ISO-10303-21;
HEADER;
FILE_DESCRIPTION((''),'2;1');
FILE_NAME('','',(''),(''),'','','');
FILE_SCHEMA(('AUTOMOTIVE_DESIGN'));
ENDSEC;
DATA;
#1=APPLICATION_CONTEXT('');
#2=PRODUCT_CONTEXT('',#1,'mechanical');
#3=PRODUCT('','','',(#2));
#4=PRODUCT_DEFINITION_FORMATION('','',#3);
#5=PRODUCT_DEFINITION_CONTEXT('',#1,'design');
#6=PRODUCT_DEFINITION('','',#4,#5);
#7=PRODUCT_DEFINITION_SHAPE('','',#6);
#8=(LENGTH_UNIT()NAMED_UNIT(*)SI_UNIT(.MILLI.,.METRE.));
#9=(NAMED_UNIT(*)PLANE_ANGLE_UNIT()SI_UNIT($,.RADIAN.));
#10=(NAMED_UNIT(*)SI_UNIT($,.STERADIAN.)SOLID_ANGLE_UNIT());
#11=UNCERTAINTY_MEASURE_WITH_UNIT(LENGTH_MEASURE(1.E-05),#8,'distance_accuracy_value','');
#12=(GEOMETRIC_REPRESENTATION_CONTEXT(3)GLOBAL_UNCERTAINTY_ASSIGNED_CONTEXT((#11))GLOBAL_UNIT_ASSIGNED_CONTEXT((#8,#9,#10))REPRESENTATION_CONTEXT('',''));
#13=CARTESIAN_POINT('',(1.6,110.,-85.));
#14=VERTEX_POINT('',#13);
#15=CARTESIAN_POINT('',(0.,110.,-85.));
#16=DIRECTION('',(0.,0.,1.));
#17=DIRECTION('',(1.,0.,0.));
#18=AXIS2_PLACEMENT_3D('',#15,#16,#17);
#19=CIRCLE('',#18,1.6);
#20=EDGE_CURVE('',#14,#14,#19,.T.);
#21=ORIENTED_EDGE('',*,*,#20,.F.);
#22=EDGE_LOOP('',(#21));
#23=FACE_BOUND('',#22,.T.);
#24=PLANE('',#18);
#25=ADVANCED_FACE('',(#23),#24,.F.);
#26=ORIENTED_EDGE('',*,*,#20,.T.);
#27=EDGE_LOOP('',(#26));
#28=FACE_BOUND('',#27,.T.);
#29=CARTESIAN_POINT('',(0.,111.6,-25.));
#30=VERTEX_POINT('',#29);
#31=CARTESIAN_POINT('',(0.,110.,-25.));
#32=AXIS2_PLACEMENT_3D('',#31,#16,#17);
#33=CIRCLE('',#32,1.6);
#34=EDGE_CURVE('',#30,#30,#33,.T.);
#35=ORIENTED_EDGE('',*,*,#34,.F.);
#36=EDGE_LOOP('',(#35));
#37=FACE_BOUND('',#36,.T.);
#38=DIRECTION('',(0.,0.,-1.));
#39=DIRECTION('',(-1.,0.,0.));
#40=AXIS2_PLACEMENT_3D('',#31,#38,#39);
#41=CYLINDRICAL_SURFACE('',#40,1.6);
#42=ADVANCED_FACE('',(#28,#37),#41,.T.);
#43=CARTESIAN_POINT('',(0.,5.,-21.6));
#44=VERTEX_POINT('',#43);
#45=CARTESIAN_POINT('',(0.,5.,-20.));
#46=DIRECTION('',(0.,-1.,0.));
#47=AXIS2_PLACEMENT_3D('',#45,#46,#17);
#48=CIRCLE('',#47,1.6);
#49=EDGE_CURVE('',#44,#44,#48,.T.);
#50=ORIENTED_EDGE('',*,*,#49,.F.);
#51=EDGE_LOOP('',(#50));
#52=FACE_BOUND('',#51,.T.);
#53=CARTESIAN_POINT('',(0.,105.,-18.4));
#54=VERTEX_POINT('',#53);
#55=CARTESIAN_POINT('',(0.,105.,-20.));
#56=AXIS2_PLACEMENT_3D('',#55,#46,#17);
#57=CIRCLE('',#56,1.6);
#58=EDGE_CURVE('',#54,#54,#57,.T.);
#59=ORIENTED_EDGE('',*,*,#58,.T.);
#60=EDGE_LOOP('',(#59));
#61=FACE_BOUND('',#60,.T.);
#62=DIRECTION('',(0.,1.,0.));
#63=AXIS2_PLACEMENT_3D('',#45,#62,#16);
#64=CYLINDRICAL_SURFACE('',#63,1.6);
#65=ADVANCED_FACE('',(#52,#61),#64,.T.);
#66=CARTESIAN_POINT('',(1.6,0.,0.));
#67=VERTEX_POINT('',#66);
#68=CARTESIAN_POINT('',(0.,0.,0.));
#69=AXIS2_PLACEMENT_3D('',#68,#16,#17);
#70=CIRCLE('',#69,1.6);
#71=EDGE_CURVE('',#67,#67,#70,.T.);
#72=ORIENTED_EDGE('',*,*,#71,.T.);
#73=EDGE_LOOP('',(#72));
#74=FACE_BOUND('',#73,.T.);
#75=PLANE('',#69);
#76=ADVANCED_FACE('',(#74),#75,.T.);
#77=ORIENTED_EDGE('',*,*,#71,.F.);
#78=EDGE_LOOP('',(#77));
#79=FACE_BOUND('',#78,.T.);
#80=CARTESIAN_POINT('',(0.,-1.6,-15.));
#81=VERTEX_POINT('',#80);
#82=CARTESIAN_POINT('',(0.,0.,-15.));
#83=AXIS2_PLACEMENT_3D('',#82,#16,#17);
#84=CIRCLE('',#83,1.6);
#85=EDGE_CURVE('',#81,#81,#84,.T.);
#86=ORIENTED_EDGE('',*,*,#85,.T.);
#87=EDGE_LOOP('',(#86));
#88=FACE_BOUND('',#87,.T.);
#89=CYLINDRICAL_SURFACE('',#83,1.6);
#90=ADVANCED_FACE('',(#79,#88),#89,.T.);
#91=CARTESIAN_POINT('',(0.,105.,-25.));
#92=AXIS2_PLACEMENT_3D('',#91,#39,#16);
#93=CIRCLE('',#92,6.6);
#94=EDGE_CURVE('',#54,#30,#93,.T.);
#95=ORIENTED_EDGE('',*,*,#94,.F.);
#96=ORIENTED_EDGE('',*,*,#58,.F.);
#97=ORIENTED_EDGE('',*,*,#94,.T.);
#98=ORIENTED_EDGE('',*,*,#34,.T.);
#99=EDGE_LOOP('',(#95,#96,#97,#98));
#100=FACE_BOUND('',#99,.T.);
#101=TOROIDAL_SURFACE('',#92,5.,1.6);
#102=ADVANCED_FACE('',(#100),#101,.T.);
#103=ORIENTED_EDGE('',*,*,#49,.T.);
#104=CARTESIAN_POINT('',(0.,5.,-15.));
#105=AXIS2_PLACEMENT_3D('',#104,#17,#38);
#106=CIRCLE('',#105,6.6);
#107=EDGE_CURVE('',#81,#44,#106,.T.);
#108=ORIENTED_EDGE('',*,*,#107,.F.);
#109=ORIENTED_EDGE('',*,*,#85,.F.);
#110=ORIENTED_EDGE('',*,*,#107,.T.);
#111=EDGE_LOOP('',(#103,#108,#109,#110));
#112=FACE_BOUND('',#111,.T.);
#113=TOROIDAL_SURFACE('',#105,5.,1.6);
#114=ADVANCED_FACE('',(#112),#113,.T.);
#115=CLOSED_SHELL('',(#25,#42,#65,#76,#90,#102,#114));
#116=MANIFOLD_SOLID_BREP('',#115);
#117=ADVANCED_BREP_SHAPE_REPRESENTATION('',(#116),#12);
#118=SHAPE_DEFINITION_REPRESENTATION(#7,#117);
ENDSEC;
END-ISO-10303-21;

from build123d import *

# Parameters (mm, degrees)
SKETCH1_R = 1.6


with BuildPart() as part:
    # Sweep1: sweep along a path in Sketch2
    with BuildLine(Plane(origin=(0, 0, 0), x_dir=(0, 0, -1), z_dir=(1, 0, 0))) as sweep1_path:
        Line((0, 0), (15, 0))
        ThreePointArc((15, 0), (18.535533906, 1.464466094), (20, 5))
        Line((20, 5), (20, 105))
        ThreePointArc((20, 105), (21.464466094, 108.535533906), (25, 110))
        Line((25, 110), (85, 110))
    # Sketch1 → Sweep1 (sweep)
    with BuildSketch(Plane.XY):
        Circle(SKETCH1_R)
    sweep(path=sweep1_path.line)


solid = part.part
